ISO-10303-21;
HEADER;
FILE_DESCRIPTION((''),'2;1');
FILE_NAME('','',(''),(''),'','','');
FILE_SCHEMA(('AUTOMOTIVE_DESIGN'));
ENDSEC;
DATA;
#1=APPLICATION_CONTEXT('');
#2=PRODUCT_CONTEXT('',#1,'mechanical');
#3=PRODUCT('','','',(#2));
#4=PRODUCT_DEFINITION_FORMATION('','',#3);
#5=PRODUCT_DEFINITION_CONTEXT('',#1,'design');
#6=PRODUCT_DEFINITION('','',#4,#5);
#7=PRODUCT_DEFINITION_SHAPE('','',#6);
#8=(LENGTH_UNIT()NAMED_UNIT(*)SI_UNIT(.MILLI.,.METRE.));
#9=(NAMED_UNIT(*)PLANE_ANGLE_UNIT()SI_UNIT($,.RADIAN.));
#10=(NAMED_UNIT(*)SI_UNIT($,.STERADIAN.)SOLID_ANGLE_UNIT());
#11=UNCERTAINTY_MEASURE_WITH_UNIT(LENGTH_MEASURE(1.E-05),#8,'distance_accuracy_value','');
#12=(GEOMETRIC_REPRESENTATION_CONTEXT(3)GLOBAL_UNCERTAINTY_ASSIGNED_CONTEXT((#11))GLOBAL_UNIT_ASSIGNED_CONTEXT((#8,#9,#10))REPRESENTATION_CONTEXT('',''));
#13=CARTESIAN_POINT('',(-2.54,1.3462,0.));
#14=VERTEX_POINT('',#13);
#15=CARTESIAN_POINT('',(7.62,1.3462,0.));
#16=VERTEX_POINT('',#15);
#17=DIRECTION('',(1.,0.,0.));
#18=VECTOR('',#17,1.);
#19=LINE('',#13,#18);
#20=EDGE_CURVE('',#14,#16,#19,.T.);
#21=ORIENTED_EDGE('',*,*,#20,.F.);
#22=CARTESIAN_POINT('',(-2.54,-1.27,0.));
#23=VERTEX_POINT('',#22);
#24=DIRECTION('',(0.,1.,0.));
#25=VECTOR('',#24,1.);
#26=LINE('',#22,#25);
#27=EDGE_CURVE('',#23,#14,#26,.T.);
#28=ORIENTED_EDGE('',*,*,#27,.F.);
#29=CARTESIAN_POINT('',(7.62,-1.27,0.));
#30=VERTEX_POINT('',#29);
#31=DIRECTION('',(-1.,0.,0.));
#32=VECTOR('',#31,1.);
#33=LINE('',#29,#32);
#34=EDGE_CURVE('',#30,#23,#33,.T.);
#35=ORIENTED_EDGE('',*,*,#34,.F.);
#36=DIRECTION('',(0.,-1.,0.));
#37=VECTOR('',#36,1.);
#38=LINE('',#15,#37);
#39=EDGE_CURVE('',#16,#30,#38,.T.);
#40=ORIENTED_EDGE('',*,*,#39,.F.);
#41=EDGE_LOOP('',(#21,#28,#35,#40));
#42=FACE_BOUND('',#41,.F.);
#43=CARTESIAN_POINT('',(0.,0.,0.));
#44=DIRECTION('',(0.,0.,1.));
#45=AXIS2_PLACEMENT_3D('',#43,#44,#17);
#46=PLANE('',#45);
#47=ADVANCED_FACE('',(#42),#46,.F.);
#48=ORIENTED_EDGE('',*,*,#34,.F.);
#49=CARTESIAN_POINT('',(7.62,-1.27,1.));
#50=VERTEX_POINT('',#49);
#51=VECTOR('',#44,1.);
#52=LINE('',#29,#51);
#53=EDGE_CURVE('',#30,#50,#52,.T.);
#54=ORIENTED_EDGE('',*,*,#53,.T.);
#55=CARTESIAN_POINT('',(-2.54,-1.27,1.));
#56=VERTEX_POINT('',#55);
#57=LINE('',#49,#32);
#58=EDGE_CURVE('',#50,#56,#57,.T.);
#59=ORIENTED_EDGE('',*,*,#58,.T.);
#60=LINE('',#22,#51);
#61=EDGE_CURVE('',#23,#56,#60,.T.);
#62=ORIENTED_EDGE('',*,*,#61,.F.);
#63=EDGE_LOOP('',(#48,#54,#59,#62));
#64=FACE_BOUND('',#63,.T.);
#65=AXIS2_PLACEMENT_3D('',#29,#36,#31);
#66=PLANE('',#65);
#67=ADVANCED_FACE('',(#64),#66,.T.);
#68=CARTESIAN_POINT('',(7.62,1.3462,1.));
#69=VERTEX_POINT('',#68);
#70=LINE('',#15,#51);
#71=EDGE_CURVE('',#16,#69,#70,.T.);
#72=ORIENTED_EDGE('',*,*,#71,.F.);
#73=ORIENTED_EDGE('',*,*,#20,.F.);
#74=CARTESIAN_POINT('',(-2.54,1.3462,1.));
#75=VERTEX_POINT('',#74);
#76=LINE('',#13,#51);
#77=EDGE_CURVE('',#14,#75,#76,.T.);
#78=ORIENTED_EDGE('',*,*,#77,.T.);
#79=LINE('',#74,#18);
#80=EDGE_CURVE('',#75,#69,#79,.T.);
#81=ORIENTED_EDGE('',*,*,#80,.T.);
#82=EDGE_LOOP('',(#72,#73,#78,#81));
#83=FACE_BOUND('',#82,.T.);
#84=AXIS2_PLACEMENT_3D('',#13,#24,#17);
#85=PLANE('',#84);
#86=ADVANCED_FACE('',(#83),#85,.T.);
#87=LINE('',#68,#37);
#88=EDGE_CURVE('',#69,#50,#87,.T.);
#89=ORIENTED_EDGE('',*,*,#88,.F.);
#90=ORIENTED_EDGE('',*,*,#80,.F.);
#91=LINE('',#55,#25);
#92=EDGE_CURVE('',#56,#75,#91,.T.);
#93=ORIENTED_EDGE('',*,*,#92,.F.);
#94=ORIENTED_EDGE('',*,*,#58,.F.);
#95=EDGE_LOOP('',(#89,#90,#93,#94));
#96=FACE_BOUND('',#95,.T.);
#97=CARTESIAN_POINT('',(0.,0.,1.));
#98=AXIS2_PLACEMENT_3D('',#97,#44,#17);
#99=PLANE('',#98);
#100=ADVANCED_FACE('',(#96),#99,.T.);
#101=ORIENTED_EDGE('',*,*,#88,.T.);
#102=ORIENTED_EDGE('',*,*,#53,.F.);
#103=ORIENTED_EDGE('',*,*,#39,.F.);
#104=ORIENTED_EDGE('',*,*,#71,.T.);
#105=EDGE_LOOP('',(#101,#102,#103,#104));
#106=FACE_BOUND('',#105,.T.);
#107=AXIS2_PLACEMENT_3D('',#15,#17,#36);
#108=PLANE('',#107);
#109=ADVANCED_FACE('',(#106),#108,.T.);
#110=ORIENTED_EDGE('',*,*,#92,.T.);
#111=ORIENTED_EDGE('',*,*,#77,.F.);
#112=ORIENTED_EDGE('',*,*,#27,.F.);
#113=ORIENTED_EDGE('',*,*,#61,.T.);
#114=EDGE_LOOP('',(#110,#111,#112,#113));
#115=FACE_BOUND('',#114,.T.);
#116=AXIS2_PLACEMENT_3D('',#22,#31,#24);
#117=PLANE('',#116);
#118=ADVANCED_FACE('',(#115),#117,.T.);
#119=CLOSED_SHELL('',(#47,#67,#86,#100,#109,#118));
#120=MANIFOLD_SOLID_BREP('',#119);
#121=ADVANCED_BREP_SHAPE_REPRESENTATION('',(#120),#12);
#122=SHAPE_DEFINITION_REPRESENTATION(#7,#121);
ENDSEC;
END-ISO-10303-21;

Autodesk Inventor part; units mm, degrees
ref_plane "YZ Plane" through (0, 0, 0) normal (1, 0, 0) x (0, 1, 0)
ref_plane "XZ Plane" through (0, 0, 0) normal (0, 1, 0) x (-1, 0, 0)
ref_plane "XY Plane" through (0, 0, 0) normal (0, 0, 1) x (1, 0, 0)
sketch "1X04SMD, JP6_1X04SMD_37" plane through (0, 0, 0) normal (0, 0, 1) x (1, 0, 0)
  line L0 (-2.54, 1.3462) -> (7.62, 1.3462)
  line L1 (7.62, 1.3462) -> (7.62, -1.27)
  line L2 (7.62, -1.27) -> (-2.54, -1.27)
  line L3 (-2.54, -1.27) -> (-2.54, 1.3462)
extrude "Extrusion1" add sketch "1X04SMD, JP6_1X04SMD_37" along normal blind 1
properties part number "JP6_1X04SMD"
